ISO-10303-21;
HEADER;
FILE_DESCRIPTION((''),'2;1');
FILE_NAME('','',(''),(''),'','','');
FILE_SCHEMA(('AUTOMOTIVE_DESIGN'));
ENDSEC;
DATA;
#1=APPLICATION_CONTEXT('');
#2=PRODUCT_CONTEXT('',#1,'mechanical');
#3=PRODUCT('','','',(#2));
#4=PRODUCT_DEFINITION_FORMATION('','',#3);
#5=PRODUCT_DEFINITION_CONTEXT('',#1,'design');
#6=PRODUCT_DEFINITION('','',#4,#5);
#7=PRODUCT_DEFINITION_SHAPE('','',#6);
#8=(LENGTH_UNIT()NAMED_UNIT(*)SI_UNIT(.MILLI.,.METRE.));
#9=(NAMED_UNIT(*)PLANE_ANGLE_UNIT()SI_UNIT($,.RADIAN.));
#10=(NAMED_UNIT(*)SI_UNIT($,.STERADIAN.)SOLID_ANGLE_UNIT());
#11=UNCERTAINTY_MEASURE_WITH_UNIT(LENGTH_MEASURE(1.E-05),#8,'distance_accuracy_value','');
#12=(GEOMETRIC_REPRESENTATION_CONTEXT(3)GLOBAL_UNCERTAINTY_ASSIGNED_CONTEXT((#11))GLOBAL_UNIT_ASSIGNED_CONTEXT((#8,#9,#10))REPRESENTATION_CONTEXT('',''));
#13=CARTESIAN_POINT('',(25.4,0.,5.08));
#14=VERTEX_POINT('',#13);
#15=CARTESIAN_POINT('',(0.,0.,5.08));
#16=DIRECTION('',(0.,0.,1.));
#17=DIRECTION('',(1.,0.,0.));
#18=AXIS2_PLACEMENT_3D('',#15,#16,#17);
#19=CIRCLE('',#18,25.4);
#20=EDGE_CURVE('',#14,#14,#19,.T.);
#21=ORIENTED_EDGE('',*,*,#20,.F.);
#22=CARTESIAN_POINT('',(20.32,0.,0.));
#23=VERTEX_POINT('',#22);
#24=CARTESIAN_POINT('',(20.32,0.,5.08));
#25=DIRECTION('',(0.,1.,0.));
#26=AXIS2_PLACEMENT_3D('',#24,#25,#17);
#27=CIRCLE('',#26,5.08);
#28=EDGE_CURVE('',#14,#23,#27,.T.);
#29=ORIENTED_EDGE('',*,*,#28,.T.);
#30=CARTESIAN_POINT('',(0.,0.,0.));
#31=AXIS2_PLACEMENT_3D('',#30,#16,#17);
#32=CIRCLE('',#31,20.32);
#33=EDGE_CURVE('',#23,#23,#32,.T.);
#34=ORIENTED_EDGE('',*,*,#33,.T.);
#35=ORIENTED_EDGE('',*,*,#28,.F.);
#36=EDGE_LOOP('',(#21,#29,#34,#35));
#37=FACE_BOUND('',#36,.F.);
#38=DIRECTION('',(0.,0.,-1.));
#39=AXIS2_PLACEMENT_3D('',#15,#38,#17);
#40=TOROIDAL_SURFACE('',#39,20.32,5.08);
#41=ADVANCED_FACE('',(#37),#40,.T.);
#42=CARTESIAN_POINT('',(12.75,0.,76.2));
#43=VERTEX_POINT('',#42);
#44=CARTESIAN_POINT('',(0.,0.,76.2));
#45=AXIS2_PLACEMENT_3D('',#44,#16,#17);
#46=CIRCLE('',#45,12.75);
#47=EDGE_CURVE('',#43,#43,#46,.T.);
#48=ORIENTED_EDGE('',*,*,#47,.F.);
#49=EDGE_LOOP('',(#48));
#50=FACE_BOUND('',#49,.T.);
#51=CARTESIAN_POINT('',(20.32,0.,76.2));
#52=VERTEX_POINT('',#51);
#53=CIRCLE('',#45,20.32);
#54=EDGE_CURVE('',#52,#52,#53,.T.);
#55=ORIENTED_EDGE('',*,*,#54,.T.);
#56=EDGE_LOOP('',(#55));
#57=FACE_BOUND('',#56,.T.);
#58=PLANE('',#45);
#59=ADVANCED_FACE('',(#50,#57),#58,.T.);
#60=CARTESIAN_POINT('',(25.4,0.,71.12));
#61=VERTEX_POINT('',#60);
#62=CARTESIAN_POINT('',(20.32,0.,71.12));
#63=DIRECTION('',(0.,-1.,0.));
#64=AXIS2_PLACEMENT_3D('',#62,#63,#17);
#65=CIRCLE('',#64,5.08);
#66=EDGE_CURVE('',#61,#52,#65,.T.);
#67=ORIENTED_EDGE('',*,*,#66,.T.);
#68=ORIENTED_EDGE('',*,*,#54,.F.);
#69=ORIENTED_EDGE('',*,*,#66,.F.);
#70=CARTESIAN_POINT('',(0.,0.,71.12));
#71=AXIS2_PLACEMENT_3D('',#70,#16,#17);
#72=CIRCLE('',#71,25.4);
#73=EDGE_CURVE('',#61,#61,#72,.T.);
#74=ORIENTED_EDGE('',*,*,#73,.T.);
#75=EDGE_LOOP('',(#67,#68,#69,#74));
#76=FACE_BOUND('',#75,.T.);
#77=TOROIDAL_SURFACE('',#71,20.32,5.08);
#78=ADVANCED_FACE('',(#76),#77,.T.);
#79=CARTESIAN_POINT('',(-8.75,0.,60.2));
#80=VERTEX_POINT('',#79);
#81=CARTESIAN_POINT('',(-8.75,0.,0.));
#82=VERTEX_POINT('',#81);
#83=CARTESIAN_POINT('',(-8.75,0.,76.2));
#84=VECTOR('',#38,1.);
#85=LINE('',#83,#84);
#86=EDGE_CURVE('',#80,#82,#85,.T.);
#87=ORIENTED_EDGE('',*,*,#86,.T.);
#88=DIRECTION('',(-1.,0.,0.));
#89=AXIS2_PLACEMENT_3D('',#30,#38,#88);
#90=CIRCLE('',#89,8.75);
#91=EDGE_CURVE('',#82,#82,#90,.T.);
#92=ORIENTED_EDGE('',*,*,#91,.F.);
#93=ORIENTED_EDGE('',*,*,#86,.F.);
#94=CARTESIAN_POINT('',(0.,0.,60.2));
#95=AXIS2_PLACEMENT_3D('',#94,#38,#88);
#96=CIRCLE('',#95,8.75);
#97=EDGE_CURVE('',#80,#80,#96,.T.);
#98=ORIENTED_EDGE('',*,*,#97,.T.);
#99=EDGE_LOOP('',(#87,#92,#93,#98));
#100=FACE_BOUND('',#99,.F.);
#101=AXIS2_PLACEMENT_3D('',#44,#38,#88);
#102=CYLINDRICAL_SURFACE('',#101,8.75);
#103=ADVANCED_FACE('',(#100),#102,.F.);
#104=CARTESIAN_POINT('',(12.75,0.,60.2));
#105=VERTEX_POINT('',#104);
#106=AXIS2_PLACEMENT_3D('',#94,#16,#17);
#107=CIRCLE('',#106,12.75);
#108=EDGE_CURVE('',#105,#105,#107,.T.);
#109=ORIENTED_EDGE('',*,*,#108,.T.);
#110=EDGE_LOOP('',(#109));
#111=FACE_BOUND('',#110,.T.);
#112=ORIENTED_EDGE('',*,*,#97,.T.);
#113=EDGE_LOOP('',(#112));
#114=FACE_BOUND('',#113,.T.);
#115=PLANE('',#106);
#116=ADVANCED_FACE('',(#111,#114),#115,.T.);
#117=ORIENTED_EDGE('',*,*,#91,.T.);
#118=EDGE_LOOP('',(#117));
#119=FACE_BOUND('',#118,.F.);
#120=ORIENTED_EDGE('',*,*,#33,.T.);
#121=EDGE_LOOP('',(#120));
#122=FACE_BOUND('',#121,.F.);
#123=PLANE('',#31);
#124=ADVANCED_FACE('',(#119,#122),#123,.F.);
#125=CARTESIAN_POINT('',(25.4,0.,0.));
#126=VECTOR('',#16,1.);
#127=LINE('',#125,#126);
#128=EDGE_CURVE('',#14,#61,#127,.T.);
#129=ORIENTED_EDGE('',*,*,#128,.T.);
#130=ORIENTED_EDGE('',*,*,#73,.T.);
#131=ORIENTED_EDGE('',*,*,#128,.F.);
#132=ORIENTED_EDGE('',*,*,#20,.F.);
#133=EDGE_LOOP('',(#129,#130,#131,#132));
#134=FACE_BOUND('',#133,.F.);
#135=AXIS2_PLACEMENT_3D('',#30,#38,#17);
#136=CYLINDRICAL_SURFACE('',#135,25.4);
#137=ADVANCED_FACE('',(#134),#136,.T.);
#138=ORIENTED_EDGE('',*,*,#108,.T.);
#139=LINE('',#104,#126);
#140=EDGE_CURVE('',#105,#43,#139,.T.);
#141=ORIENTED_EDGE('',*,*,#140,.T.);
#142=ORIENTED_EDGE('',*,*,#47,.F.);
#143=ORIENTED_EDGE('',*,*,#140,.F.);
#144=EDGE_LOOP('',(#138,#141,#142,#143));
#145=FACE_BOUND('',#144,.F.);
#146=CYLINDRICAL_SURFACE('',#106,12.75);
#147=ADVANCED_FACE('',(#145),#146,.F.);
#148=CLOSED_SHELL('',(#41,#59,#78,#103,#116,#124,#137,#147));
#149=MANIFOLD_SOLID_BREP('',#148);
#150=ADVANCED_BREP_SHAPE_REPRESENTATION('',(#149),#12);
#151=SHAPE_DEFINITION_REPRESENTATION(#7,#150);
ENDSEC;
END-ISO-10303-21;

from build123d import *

# Parameters (mm, degrees)
F0_R           = 25.4
F1_DEPTH       = 76.2
F3_D           = 17.5
F3_CBORE_D     = 25.5
F3_CBORE_DEPTH = 16
F4_R           = 5.08


with BuildPart() as f1:
    # F0 (on Top) → F1 (new body)
    with BuildSketch(Plane.XY):
        Circle(F0_R)
    extrude(amount=F1_DEPTH)

    # F3 (through all)
    with Locations(Plane.XY.offset(76.2)):
        with Locations((0, 0)):
            CounterBoreHole(F3_D / 2, F3_CBORE_D / 2, F3_CBORE_DEPTH)

    # F4
    f4_edges = [f1.edges().sort_by_distance(p)[0] for p in [
        (-25.4, 0, 76.2),
        (-25.4, 0, 0),
    ]]
    fillet(f4_edges, radius=F4_R)


solid = f1.part
